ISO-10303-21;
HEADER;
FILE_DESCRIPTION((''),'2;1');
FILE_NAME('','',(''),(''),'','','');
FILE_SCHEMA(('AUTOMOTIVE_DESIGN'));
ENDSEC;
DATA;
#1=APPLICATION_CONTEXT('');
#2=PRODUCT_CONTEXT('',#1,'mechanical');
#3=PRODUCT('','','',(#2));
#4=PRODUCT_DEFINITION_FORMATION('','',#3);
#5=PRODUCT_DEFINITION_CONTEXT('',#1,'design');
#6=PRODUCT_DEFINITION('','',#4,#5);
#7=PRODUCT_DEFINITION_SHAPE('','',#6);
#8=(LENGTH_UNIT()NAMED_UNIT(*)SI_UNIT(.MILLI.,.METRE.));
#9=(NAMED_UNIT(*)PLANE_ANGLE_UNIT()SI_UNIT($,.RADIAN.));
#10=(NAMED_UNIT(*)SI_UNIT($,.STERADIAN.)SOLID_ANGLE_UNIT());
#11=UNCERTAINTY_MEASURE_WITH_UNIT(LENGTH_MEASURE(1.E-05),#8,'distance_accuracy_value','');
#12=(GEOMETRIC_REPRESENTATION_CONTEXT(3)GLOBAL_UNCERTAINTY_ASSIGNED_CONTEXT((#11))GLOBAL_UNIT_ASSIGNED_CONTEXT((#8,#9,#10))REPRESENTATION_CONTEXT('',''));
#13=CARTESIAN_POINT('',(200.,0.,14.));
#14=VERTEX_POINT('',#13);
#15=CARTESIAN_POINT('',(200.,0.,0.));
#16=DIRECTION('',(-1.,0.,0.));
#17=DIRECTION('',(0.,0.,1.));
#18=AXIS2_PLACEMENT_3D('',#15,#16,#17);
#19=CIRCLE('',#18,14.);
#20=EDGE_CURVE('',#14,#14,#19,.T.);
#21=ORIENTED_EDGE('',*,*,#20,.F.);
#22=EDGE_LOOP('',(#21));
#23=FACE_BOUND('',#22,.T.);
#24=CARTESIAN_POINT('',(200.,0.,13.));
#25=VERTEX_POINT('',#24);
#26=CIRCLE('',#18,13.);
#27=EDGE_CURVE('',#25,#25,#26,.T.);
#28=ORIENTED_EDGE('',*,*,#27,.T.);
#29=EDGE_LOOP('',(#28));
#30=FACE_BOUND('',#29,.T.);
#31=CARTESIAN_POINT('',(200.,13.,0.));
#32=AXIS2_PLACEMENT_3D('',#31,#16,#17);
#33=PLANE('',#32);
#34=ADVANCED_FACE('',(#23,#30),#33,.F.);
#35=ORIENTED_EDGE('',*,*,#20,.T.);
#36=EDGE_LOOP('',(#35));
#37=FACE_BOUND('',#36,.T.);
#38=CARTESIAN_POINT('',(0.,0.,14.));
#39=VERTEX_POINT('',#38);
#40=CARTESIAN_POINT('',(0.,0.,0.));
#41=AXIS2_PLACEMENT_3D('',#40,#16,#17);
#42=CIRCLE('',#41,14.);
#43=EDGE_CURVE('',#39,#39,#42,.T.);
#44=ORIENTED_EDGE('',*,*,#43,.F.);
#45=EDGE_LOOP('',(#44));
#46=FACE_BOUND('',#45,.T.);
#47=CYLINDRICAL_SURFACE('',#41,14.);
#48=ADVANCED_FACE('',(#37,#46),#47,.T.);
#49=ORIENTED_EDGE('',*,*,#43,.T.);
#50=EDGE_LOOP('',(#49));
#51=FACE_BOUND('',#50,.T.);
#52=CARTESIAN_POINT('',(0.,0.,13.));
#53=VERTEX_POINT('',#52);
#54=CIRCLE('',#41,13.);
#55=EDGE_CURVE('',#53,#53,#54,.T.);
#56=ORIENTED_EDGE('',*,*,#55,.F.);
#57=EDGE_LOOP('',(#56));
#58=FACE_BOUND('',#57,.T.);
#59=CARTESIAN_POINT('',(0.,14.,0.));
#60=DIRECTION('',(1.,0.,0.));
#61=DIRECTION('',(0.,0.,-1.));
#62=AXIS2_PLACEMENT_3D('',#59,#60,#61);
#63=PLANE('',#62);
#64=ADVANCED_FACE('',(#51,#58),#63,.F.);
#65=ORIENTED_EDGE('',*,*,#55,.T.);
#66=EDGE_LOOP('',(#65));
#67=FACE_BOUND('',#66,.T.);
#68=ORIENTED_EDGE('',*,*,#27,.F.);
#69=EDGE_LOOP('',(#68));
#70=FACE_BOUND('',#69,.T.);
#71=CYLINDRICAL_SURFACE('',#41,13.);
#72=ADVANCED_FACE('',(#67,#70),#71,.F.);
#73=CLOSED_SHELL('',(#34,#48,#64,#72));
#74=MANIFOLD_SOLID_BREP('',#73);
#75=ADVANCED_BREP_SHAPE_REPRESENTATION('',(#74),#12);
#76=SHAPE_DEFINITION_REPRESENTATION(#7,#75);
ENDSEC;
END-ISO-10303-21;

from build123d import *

# Parameters (mm, degrees)
ESQUISSE1_W = 200
ESQUISSE1_H = 1


with BuildPart() as part:
    # Esquisse1 → Base-Révolution (revolve)
    with BuildSketch(Plane.XY, mode=Mode.PRIVATE) as base_r_volution_sk:
        with Locations((100, 13.5)):
            Rectangle(ESQUISSE1_W, ESQUISSE1_H)
    revolve(base_r_volution_sk.sketch.rotate(Axis((0, 0, 0), (1, 0, 0)), 90), axis=Axis((0, 0, 0), (1, 0, 0)))


solid = part.part
